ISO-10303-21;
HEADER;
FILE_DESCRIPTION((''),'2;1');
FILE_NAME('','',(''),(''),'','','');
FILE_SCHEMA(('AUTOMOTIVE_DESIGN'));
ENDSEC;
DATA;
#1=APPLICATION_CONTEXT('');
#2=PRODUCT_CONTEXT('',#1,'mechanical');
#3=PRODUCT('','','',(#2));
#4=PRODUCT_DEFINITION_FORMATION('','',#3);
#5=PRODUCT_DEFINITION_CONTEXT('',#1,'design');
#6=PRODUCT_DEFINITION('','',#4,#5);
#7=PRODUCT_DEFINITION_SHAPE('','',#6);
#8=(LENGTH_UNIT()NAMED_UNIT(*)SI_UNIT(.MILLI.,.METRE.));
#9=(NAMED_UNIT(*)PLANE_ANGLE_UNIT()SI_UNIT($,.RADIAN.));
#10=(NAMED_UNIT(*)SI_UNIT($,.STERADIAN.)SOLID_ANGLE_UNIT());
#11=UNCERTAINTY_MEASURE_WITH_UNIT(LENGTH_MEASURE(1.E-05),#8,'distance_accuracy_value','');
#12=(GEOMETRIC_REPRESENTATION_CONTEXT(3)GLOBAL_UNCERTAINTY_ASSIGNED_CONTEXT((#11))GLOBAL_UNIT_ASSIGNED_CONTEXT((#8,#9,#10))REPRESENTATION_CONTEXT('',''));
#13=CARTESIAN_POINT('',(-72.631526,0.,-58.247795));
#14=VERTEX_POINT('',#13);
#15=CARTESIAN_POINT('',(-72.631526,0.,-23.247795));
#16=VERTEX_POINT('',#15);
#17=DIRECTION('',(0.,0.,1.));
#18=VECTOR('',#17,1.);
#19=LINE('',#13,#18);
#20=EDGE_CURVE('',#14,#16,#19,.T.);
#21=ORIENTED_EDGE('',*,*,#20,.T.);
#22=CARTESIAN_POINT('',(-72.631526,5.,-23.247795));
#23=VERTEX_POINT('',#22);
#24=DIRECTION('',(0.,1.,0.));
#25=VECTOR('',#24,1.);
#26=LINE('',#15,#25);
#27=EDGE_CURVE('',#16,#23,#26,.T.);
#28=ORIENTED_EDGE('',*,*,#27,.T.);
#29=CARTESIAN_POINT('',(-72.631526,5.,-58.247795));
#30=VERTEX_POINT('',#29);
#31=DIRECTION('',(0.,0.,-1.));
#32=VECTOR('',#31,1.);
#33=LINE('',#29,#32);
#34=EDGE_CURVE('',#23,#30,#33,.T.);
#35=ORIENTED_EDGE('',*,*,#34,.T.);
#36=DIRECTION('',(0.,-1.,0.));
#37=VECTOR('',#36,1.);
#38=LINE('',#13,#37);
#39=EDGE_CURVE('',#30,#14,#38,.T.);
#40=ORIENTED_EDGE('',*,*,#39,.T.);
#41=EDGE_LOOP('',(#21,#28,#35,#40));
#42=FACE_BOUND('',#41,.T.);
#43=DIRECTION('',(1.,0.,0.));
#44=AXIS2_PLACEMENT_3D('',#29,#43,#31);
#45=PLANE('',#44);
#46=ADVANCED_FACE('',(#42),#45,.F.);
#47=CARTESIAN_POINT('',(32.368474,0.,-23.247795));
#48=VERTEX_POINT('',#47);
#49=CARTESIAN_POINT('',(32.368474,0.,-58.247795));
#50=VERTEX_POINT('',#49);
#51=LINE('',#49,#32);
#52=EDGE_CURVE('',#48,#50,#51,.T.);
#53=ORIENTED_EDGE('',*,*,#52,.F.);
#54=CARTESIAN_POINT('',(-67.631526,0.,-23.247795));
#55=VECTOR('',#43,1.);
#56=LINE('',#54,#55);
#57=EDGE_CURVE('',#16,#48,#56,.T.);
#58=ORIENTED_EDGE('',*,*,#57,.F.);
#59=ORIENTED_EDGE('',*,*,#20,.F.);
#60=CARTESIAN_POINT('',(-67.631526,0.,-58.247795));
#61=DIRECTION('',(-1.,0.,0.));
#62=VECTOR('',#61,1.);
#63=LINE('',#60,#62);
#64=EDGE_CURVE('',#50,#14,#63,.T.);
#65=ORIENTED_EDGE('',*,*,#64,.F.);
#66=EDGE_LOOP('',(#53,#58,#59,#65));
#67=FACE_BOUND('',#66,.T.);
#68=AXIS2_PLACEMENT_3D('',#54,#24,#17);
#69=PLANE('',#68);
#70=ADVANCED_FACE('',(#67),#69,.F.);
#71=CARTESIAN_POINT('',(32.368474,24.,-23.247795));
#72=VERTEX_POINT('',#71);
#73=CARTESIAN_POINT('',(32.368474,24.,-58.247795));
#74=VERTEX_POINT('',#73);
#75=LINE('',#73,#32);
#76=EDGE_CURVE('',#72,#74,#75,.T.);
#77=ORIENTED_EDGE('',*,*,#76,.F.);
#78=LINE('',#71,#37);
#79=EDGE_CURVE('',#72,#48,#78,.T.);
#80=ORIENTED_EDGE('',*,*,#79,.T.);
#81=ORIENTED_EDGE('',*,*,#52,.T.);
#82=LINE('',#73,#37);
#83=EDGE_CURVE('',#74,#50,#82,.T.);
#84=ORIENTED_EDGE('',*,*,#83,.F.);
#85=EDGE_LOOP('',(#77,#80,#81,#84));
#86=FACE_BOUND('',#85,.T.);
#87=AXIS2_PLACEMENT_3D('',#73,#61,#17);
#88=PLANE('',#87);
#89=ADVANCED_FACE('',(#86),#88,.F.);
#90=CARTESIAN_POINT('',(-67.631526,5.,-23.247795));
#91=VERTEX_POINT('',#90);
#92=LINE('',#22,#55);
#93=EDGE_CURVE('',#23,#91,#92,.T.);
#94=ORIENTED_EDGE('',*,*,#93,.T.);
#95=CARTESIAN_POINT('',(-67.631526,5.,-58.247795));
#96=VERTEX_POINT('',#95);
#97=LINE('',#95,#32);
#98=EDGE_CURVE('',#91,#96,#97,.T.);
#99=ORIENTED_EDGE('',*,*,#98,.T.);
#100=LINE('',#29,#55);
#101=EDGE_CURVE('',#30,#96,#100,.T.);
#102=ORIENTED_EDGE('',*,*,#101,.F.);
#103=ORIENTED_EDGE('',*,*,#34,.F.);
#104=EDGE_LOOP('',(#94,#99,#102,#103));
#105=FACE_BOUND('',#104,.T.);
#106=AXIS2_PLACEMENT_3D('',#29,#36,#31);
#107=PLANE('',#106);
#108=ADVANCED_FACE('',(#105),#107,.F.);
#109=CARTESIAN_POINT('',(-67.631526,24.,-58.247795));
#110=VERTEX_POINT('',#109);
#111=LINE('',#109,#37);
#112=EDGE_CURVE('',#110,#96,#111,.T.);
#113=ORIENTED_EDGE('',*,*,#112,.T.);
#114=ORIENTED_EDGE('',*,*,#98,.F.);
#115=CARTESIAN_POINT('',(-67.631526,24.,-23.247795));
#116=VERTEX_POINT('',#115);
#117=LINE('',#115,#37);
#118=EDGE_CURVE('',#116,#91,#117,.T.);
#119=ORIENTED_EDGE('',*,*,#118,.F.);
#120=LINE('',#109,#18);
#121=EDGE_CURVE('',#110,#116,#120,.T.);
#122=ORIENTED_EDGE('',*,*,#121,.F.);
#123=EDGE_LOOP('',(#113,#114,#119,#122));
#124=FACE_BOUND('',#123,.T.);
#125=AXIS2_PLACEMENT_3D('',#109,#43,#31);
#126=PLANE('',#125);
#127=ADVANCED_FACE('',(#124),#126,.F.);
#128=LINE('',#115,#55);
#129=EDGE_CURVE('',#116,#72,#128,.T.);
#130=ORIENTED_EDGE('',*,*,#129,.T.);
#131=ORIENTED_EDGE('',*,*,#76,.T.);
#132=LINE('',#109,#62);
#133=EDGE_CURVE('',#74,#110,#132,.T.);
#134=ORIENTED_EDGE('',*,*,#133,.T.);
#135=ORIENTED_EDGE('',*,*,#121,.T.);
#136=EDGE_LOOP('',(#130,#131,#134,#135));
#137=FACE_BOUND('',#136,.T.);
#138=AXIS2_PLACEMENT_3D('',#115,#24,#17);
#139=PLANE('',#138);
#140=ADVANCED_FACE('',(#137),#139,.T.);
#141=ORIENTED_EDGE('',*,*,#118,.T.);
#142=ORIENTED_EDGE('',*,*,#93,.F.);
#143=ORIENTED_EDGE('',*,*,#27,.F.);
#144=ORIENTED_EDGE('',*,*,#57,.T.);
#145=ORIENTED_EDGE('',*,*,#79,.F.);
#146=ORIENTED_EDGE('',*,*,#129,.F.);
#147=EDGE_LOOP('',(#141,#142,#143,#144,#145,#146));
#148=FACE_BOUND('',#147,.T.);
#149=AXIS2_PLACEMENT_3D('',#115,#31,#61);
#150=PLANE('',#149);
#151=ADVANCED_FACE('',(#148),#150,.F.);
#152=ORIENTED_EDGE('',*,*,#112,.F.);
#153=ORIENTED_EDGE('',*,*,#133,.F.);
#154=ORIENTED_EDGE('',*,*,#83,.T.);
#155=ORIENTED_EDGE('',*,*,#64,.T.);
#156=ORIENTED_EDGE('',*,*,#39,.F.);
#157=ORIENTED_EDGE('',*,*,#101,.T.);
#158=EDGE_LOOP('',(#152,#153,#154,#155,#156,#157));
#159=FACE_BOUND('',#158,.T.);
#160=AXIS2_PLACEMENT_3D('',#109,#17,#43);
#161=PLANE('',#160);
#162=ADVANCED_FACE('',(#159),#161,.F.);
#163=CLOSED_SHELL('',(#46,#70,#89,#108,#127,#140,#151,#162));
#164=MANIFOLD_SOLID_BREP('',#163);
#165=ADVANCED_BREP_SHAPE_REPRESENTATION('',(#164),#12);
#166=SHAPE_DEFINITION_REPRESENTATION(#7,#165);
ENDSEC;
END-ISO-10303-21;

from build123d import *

# Parameters (mm, degrees)
SKETCH1_W      = 100
SKETCH1_H      = 35
EXTRUDE1_DEPTH = 24
SKETCH2_W      = 35
SKETCH2_H      = 5
EXTRUDE2_DEPTH = 5


with BuildPart() as part:
    # Sketch1 → Extrude1 (new body)
    with BuildSketch(Plane(origin=(0, 0, 0), x_dir=(1, 0, 0), z_dir=(0, 1, 0))):
        with Locations((-17.631525754, 40.747794601)):
            Rectangle(SKETCH1_W, SKETCH1_H)
    extrude(amount=EXTRUDE1_DEPTH)

    # Sketch2 → Extrude2 (add)
    with BuildSketch(Plane.ZY.offset(67.631525754)):
        with Locations((-40.747794601, 2.5)):
            Rectangle(SKETCH2_W, SKETCH2_H)
    extrude(amount=EXTRUDE2_DEPTH)


solid = part.part
